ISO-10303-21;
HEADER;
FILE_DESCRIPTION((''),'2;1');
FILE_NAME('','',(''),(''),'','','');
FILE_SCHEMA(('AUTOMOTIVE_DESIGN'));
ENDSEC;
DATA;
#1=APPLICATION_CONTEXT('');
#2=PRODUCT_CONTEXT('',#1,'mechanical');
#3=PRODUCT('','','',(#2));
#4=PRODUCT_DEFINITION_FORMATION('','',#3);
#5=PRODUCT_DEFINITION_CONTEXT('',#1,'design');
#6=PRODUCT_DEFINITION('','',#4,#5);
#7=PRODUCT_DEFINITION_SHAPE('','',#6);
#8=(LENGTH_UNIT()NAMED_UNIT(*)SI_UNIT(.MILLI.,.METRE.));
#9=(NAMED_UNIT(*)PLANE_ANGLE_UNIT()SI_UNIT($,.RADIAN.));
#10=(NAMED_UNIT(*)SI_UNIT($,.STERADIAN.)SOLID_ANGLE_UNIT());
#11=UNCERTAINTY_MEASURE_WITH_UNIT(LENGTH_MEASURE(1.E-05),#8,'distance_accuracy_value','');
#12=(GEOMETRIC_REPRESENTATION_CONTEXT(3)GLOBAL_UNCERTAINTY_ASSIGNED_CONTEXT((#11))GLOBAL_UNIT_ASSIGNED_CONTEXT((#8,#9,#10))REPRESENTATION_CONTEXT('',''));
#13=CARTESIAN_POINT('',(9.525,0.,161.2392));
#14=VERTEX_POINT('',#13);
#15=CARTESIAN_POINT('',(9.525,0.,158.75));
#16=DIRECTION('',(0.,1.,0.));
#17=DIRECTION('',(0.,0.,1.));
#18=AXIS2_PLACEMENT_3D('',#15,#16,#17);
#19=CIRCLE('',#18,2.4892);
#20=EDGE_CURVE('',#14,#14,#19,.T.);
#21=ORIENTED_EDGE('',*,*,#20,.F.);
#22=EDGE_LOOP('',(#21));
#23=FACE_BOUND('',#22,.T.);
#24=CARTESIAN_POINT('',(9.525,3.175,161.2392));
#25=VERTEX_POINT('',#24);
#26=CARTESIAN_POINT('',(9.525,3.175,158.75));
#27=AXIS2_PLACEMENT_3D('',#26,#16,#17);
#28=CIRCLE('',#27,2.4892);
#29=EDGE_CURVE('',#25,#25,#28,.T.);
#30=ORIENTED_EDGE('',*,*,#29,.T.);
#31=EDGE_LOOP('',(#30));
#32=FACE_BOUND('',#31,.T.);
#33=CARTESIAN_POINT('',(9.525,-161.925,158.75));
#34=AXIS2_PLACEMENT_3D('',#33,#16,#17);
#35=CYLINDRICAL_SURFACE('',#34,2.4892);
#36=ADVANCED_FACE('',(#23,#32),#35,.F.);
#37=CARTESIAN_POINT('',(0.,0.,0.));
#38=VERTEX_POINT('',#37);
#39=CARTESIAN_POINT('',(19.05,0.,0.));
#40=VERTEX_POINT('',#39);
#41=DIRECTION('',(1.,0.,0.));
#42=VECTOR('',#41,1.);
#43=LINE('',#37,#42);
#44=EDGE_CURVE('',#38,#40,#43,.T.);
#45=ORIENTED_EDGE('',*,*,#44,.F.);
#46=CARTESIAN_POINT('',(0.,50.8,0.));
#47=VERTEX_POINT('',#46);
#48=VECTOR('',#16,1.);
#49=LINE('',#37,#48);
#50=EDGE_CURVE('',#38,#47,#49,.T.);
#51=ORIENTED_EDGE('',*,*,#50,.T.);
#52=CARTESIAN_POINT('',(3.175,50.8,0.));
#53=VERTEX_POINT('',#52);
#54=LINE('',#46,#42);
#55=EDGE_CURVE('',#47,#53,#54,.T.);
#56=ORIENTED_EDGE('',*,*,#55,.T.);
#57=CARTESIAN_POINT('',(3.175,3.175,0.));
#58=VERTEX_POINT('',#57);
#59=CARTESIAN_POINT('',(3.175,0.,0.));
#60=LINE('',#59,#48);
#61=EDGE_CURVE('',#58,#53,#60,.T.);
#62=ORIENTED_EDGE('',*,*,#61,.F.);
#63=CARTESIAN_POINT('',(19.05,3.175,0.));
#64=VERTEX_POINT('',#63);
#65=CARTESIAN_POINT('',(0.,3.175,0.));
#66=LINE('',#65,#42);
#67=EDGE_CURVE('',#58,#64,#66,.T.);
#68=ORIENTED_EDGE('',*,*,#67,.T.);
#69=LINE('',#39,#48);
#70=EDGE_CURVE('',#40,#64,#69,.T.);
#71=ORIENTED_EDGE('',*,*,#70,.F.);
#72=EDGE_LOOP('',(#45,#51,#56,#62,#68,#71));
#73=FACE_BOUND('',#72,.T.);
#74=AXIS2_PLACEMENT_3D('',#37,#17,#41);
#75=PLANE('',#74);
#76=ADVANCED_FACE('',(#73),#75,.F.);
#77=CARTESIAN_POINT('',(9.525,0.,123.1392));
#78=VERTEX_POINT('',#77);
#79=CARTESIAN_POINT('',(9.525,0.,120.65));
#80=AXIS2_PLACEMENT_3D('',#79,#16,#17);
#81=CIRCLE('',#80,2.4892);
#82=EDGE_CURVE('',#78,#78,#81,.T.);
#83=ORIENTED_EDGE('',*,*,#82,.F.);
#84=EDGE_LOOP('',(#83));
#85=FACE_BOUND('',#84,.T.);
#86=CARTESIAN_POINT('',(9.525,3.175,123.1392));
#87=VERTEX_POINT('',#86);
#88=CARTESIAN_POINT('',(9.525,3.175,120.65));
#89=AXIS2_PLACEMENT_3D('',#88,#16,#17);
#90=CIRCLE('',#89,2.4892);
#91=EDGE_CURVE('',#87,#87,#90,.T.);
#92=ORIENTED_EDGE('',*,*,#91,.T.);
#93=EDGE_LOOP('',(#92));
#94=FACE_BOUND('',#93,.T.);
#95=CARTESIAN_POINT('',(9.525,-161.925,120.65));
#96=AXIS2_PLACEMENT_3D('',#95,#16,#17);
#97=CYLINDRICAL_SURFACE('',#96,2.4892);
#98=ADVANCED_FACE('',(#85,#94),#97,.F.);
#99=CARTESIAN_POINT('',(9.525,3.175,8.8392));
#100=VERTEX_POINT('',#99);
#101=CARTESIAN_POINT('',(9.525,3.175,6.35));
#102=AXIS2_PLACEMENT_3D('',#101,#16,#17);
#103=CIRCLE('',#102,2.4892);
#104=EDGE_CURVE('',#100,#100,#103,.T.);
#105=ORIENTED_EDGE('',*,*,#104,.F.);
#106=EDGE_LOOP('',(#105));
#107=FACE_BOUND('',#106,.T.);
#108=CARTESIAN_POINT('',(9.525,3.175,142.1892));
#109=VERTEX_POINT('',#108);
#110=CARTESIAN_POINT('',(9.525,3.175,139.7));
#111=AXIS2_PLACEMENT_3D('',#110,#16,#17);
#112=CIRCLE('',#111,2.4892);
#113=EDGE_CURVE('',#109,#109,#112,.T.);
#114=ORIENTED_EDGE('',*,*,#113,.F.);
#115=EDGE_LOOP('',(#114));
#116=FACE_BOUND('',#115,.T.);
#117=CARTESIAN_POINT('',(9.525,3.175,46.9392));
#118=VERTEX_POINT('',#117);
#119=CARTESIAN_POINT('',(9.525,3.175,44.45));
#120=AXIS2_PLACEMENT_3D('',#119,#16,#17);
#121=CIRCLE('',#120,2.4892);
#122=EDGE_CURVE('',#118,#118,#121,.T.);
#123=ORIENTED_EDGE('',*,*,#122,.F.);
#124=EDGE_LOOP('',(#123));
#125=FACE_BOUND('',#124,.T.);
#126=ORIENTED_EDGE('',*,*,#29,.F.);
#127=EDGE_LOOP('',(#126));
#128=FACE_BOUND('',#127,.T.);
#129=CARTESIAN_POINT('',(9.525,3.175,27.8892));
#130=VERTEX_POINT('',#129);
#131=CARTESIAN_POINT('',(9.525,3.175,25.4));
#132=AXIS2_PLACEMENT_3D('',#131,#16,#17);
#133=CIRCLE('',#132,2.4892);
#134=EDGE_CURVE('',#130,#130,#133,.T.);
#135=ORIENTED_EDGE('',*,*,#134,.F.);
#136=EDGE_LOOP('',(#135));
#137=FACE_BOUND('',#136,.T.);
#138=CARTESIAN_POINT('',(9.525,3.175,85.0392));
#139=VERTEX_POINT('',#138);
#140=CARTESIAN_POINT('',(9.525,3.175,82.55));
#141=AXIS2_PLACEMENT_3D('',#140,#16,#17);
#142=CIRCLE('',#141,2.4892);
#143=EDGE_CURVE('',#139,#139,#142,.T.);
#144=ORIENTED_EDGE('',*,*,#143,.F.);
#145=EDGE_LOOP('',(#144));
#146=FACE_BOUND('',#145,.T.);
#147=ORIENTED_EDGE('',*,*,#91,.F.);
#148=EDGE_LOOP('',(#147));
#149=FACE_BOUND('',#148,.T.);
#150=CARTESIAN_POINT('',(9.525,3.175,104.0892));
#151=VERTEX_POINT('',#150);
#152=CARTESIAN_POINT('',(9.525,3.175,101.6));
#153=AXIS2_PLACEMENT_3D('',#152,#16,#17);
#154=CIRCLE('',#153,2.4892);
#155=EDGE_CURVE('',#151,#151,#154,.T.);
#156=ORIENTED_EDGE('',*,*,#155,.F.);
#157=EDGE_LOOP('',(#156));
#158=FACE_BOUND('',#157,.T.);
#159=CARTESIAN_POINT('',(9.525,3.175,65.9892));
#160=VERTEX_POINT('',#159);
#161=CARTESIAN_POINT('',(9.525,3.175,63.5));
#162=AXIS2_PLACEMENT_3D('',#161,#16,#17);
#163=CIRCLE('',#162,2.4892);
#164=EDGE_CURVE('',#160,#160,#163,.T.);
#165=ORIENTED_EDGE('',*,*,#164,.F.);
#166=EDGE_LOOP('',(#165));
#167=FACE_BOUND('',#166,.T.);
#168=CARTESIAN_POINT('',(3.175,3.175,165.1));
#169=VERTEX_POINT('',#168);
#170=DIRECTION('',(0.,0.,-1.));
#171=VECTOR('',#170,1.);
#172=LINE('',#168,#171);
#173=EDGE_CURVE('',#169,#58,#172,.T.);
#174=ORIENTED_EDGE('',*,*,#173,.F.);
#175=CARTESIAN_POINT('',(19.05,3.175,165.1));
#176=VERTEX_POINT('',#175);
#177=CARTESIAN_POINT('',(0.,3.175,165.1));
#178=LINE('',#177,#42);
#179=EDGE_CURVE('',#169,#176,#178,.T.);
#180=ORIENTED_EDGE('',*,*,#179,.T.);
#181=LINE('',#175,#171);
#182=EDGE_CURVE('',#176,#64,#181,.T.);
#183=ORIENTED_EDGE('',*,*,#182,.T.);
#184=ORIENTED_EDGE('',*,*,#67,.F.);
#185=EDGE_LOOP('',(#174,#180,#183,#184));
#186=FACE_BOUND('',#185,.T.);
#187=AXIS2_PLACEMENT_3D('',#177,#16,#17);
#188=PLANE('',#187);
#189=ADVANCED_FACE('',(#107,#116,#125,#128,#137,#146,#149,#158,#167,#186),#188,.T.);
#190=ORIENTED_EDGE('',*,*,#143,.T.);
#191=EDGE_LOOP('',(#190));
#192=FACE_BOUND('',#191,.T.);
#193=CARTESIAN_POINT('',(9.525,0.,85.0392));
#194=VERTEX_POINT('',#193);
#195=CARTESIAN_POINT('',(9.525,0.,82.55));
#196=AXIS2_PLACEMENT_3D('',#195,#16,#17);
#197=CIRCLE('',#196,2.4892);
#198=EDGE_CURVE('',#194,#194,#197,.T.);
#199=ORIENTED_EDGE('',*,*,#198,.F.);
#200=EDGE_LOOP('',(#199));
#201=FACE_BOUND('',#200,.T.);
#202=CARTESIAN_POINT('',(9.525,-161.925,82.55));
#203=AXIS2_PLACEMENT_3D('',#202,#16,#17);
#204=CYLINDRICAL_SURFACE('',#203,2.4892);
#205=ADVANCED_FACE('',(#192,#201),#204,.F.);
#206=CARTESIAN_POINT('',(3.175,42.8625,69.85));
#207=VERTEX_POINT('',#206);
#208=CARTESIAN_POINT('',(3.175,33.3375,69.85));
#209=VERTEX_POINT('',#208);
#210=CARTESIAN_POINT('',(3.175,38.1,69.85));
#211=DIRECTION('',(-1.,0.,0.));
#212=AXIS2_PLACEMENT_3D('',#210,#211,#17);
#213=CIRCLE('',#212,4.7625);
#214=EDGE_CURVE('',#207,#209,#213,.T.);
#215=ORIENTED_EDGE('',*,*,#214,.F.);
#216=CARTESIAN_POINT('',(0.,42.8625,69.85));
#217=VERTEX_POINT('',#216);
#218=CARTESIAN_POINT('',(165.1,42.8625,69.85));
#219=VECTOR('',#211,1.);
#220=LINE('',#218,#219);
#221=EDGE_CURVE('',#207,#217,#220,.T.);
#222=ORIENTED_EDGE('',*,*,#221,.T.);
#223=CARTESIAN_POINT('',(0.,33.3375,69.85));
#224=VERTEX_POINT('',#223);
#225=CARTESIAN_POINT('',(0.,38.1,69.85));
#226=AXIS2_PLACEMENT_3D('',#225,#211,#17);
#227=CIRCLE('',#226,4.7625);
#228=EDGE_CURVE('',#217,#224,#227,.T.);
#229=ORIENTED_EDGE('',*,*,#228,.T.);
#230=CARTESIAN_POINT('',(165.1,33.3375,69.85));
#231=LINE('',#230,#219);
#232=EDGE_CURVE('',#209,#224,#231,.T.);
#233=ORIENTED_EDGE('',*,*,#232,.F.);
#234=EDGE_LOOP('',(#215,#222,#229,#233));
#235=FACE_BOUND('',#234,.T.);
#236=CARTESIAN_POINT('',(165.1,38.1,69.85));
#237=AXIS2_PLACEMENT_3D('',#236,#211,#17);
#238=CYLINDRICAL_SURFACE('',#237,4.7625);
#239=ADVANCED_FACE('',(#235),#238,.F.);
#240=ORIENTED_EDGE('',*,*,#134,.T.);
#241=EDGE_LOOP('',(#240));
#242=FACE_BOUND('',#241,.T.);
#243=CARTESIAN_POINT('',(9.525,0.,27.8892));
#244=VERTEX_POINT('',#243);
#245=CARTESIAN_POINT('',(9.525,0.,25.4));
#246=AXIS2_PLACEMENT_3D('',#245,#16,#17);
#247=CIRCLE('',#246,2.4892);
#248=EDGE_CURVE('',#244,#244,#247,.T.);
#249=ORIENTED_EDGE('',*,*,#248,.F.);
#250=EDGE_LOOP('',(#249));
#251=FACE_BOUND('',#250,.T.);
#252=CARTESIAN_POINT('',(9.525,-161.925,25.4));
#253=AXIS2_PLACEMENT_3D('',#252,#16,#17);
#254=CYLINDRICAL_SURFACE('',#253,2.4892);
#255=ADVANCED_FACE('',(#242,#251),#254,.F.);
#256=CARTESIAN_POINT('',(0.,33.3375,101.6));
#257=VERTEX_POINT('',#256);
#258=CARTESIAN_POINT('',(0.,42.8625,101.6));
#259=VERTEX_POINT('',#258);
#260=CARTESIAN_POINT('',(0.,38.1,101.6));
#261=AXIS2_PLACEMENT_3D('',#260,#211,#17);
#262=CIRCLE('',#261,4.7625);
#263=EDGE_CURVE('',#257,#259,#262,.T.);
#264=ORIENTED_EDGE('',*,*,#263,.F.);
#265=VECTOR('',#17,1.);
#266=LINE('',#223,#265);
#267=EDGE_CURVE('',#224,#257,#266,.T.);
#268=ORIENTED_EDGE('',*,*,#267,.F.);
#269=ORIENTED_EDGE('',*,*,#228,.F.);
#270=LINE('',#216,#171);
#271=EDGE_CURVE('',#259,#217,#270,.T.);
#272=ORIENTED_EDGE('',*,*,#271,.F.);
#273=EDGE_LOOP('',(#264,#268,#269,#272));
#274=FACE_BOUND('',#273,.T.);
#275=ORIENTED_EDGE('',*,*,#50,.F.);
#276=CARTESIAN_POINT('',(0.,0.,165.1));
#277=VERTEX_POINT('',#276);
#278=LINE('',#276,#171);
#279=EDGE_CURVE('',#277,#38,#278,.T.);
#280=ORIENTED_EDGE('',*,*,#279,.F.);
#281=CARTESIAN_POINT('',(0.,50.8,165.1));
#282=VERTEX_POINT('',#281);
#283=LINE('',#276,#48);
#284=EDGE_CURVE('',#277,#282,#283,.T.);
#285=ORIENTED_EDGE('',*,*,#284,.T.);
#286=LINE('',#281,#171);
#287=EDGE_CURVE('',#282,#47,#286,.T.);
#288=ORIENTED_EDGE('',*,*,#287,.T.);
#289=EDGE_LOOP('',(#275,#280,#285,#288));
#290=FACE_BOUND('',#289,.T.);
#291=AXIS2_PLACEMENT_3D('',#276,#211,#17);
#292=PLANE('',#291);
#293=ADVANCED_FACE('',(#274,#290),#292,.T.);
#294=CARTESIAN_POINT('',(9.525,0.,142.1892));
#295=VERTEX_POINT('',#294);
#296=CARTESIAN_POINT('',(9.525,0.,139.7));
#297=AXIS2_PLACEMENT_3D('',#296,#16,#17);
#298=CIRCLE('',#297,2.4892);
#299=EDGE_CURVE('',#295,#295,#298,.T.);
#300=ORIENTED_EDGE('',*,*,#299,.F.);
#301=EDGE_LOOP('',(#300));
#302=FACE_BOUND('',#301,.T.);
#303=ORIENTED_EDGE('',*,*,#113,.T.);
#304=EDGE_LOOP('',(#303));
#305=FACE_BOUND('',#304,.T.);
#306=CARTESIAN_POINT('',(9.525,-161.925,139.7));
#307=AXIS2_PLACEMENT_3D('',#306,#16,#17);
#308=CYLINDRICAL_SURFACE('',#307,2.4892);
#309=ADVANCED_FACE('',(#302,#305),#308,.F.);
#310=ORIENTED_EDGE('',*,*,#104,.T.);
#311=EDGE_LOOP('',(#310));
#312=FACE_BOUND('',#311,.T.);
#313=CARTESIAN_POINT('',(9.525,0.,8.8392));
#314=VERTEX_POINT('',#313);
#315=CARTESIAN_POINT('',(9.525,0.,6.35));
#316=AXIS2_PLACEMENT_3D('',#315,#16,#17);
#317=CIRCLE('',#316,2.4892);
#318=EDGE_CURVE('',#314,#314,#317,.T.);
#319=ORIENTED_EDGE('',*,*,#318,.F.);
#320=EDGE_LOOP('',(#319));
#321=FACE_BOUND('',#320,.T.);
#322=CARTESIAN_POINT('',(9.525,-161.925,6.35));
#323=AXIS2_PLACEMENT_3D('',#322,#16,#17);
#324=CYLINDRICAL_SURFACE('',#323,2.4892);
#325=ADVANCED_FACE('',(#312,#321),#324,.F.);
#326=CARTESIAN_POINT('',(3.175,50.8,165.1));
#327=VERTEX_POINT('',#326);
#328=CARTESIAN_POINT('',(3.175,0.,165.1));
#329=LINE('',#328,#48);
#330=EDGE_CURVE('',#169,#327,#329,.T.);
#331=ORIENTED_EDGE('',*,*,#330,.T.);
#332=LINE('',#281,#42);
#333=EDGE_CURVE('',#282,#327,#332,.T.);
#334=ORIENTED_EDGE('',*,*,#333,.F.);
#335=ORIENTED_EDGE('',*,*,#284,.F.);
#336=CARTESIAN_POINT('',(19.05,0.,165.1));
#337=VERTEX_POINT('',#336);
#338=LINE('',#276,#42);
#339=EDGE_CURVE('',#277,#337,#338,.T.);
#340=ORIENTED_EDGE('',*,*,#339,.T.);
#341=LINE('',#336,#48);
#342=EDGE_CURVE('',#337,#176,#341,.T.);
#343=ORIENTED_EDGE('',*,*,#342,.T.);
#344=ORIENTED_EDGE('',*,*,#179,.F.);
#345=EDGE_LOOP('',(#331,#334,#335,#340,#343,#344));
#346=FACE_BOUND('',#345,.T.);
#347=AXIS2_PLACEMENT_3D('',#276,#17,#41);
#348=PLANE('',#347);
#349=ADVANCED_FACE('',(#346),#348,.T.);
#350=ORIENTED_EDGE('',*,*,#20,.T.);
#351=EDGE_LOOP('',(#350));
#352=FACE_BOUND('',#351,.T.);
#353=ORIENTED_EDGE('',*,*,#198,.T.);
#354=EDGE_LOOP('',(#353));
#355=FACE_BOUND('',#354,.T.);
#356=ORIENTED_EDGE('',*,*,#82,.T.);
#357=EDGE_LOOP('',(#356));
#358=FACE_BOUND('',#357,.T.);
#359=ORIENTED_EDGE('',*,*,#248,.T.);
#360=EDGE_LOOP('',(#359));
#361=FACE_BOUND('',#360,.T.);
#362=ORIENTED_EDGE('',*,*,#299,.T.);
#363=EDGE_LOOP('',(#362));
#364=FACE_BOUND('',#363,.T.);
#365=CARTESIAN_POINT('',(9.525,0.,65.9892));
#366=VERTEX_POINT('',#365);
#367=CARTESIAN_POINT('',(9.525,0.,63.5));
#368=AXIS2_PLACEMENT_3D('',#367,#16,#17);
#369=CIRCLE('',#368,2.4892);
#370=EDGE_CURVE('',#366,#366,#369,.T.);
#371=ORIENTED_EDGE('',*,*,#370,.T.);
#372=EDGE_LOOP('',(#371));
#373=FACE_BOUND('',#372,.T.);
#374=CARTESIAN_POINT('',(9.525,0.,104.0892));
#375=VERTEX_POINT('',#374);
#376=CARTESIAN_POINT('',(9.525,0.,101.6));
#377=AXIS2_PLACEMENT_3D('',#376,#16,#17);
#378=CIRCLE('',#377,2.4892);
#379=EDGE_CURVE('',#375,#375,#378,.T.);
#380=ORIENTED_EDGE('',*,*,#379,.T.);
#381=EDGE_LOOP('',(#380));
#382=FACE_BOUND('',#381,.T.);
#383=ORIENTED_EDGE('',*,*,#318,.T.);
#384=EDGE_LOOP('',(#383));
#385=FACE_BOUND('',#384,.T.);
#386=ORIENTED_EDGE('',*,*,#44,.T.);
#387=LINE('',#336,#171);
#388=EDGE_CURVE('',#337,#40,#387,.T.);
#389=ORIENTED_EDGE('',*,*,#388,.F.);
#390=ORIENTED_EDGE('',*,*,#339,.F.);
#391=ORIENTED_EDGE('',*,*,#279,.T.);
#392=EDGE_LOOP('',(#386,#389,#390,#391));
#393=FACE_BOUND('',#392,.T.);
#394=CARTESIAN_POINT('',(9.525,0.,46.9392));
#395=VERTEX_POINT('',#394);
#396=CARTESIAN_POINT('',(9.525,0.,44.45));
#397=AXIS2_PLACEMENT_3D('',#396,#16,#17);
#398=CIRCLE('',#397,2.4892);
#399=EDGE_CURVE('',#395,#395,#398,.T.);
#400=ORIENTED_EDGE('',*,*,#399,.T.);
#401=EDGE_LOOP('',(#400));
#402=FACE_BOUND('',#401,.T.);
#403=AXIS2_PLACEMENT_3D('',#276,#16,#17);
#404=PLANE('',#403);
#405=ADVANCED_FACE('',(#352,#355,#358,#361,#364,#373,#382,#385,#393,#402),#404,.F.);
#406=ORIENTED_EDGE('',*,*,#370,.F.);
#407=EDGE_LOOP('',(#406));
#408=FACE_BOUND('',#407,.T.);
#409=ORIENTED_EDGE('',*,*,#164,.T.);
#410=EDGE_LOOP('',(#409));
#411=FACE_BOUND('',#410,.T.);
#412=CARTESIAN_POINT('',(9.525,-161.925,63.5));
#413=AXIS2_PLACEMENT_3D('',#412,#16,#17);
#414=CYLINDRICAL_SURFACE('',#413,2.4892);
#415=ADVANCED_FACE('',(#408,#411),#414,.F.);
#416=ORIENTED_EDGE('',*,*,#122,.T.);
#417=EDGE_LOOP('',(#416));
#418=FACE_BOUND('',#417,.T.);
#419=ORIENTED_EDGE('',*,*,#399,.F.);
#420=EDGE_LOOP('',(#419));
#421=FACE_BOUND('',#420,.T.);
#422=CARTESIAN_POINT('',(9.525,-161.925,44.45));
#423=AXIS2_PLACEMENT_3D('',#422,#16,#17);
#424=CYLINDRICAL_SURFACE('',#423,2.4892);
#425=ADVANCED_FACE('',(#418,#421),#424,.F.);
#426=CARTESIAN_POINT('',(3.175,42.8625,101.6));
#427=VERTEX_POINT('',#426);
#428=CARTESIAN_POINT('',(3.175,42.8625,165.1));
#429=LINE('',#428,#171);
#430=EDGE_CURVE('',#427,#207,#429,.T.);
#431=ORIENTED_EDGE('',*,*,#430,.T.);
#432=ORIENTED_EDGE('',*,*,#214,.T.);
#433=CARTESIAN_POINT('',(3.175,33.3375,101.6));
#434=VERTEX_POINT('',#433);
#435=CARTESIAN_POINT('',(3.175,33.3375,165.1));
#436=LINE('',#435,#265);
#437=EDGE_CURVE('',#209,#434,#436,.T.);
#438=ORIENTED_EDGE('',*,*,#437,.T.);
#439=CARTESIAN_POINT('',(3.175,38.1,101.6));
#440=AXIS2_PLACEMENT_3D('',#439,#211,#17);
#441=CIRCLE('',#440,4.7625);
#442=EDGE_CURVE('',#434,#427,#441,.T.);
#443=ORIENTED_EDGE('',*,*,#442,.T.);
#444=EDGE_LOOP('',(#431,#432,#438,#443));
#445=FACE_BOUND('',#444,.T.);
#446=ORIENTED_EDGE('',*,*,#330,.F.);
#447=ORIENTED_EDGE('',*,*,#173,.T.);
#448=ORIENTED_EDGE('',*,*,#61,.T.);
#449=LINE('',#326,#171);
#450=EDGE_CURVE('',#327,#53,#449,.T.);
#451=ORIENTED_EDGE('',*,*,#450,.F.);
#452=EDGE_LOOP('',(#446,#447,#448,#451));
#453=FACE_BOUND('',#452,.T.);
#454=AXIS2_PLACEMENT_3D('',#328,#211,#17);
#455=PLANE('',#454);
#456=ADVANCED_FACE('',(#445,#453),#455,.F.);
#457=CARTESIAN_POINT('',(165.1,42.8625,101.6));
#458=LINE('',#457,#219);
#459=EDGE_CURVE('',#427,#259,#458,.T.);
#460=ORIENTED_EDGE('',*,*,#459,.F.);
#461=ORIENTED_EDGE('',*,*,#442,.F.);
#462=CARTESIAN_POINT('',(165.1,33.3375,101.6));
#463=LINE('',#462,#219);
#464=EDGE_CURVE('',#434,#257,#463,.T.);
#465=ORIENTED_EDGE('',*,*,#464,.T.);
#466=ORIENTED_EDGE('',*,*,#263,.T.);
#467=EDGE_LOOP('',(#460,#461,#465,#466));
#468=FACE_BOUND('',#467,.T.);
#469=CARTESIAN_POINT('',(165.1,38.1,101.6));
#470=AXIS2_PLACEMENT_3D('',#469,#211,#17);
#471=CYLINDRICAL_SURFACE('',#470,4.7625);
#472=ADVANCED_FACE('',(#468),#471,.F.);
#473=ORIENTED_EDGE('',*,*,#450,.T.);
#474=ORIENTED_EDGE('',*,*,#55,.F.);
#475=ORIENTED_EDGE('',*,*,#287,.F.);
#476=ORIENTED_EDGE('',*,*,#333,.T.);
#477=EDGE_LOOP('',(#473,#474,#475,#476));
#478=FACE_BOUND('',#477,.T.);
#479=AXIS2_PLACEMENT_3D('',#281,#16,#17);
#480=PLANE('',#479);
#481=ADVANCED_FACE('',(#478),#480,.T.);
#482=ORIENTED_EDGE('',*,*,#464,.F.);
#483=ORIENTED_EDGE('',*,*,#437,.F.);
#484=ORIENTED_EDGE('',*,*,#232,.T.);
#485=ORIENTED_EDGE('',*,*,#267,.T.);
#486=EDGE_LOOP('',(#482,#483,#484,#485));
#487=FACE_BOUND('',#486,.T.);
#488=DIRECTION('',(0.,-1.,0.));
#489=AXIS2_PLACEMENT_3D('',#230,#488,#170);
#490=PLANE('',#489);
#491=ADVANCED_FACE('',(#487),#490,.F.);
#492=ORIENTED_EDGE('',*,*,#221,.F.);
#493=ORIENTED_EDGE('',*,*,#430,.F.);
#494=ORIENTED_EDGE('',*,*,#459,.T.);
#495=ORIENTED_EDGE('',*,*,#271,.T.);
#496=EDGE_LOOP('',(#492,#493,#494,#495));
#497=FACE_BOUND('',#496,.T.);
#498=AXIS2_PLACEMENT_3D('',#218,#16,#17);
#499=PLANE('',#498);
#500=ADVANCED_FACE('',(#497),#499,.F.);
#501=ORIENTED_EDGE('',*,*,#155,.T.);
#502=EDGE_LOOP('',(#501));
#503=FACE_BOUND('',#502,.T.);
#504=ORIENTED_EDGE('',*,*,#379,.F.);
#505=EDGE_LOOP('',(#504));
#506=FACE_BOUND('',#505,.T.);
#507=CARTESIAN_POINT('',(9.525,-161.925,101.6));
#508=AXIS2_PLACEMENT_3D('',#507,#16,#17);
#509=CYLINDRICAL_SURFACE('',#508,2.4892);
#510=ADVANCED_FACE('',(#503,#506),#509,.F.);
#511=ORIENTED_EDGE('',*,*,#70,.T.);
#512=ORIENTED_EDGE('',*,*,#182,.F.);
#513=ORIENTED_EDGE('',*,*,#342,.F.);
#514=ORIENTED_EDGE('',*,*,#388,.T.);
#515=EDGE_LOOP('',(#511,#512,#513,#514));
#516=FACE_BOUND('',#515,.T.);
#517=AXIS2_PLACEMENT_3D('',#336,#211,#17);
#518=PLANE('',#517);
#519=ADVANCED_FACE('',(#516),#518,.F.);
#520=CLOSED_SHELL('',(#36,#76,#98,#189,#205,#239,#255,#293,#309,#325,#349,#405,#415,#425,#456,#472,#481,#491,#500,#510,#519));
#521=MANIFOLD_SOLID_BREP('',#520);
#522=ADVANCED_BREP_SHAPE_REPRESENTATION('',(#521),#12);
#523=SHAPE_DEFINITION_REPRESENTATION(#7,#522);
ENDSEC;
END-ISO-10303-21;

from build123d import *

# Parameters (mm, degrees)
SKETCH3_W           = 3.175
SKETCH3_H           = 47.625
SKETCH3_H_2         = 3.175
SKETCH3_W_2         = 15.875
BOSS_EXTRUDE1_DEPTH = 165.1
SKETCH4_R           = 2.4892
CUT_EXTRUDE1_DEPTH  = 165.1
CUT_EXTRUDE2_DEPTH  = 165.1


with BuildPart() as part:
    # Sketch3 → Boss-Extrude1 (new body)
    with BuildSketch(Plane.XY):
        with Locations((1.5875, 26.9875)):
            Rectangle(SKETCH3_W, SKETCH3_H)
        with Locations((1.5875, 1.5875)):
            Rectangle(SKETCH3_W, SKETCH3_H_2)
        with Locations((11.1125, 1.5875)):
            Rectangle(SKETCH3_W_2, SKETCH3_H_2)
    extrude(amount=BOSS_EXTRUDE1_DEPTH)

    # Sketch4 → Cut-Extrude1 (cut)
    with BuildSketch(Plane(origin=(0, 3.175, 0), x_dir=(1, 0, 0), z_dir=(0, 1, 0))):
        with Locations(Location((9.525, -6.35, 0), (0, 0, 270))):
            Circle(SKETCH4_R)
        with Locations(Location((9.525, -25.4, 0), (0, 0, 270))):
            Circle(SKETCH4_R)
        with Locations(Location((9.525, -44.45, 0), (0, 0, 270))):
            Circle(SKETCH4_R)
        with Locations(Location((9.525, -63.5, 0), (0, 0, 270))):
            Circle(SKETCH4_R)
        with Locations(Location((9.525, -82.55, 0), (0, 0, 270))):
            Circle(SKETCH4_R)
        with Locations(Location((9.525, -101.6, 0), (0, 0, 270))):
            Circle(SKETCH4_R)
        with Locations(Location((9.525, -120.65, 0), (0, 0, 270))):
            Circle(SKETCH4_R)
        with Locations(Location((9.525, -139.7, 0), (0, 0, 270))):
            Circle(SKETCH4_R)
        with Locations(Location((9.525, -158.75, 0), (0, 0, 270))):
            Circle(SKETCH4_R)
    extrude(amount=-CUT_EXTRUDE1_DEPTH, mode=Mode.SUBTRACT)

    # Sketch5 → Cut-Extrude2 (cut)
    with BuildSketch(Plane.ZY):
        with BuildLine():
            Line((69.85, 42.8625), (101.6, 42.8625))
            ThreePointArc((101.6, 42.8625), (106.3625, 38.1), (101.6, 33.3375))
            Line((101.6, 33.3375), (69.85, 33.3375))
            ThreePointArc((69.85, 33.3375), (65.0875, 38.1), (69.85, 42.8625))
        make_face()
    extrude(amount=-CUT_EXTRUDE2_DEPTH, mode=Mode.SUBTRACT)


solid = part.part
